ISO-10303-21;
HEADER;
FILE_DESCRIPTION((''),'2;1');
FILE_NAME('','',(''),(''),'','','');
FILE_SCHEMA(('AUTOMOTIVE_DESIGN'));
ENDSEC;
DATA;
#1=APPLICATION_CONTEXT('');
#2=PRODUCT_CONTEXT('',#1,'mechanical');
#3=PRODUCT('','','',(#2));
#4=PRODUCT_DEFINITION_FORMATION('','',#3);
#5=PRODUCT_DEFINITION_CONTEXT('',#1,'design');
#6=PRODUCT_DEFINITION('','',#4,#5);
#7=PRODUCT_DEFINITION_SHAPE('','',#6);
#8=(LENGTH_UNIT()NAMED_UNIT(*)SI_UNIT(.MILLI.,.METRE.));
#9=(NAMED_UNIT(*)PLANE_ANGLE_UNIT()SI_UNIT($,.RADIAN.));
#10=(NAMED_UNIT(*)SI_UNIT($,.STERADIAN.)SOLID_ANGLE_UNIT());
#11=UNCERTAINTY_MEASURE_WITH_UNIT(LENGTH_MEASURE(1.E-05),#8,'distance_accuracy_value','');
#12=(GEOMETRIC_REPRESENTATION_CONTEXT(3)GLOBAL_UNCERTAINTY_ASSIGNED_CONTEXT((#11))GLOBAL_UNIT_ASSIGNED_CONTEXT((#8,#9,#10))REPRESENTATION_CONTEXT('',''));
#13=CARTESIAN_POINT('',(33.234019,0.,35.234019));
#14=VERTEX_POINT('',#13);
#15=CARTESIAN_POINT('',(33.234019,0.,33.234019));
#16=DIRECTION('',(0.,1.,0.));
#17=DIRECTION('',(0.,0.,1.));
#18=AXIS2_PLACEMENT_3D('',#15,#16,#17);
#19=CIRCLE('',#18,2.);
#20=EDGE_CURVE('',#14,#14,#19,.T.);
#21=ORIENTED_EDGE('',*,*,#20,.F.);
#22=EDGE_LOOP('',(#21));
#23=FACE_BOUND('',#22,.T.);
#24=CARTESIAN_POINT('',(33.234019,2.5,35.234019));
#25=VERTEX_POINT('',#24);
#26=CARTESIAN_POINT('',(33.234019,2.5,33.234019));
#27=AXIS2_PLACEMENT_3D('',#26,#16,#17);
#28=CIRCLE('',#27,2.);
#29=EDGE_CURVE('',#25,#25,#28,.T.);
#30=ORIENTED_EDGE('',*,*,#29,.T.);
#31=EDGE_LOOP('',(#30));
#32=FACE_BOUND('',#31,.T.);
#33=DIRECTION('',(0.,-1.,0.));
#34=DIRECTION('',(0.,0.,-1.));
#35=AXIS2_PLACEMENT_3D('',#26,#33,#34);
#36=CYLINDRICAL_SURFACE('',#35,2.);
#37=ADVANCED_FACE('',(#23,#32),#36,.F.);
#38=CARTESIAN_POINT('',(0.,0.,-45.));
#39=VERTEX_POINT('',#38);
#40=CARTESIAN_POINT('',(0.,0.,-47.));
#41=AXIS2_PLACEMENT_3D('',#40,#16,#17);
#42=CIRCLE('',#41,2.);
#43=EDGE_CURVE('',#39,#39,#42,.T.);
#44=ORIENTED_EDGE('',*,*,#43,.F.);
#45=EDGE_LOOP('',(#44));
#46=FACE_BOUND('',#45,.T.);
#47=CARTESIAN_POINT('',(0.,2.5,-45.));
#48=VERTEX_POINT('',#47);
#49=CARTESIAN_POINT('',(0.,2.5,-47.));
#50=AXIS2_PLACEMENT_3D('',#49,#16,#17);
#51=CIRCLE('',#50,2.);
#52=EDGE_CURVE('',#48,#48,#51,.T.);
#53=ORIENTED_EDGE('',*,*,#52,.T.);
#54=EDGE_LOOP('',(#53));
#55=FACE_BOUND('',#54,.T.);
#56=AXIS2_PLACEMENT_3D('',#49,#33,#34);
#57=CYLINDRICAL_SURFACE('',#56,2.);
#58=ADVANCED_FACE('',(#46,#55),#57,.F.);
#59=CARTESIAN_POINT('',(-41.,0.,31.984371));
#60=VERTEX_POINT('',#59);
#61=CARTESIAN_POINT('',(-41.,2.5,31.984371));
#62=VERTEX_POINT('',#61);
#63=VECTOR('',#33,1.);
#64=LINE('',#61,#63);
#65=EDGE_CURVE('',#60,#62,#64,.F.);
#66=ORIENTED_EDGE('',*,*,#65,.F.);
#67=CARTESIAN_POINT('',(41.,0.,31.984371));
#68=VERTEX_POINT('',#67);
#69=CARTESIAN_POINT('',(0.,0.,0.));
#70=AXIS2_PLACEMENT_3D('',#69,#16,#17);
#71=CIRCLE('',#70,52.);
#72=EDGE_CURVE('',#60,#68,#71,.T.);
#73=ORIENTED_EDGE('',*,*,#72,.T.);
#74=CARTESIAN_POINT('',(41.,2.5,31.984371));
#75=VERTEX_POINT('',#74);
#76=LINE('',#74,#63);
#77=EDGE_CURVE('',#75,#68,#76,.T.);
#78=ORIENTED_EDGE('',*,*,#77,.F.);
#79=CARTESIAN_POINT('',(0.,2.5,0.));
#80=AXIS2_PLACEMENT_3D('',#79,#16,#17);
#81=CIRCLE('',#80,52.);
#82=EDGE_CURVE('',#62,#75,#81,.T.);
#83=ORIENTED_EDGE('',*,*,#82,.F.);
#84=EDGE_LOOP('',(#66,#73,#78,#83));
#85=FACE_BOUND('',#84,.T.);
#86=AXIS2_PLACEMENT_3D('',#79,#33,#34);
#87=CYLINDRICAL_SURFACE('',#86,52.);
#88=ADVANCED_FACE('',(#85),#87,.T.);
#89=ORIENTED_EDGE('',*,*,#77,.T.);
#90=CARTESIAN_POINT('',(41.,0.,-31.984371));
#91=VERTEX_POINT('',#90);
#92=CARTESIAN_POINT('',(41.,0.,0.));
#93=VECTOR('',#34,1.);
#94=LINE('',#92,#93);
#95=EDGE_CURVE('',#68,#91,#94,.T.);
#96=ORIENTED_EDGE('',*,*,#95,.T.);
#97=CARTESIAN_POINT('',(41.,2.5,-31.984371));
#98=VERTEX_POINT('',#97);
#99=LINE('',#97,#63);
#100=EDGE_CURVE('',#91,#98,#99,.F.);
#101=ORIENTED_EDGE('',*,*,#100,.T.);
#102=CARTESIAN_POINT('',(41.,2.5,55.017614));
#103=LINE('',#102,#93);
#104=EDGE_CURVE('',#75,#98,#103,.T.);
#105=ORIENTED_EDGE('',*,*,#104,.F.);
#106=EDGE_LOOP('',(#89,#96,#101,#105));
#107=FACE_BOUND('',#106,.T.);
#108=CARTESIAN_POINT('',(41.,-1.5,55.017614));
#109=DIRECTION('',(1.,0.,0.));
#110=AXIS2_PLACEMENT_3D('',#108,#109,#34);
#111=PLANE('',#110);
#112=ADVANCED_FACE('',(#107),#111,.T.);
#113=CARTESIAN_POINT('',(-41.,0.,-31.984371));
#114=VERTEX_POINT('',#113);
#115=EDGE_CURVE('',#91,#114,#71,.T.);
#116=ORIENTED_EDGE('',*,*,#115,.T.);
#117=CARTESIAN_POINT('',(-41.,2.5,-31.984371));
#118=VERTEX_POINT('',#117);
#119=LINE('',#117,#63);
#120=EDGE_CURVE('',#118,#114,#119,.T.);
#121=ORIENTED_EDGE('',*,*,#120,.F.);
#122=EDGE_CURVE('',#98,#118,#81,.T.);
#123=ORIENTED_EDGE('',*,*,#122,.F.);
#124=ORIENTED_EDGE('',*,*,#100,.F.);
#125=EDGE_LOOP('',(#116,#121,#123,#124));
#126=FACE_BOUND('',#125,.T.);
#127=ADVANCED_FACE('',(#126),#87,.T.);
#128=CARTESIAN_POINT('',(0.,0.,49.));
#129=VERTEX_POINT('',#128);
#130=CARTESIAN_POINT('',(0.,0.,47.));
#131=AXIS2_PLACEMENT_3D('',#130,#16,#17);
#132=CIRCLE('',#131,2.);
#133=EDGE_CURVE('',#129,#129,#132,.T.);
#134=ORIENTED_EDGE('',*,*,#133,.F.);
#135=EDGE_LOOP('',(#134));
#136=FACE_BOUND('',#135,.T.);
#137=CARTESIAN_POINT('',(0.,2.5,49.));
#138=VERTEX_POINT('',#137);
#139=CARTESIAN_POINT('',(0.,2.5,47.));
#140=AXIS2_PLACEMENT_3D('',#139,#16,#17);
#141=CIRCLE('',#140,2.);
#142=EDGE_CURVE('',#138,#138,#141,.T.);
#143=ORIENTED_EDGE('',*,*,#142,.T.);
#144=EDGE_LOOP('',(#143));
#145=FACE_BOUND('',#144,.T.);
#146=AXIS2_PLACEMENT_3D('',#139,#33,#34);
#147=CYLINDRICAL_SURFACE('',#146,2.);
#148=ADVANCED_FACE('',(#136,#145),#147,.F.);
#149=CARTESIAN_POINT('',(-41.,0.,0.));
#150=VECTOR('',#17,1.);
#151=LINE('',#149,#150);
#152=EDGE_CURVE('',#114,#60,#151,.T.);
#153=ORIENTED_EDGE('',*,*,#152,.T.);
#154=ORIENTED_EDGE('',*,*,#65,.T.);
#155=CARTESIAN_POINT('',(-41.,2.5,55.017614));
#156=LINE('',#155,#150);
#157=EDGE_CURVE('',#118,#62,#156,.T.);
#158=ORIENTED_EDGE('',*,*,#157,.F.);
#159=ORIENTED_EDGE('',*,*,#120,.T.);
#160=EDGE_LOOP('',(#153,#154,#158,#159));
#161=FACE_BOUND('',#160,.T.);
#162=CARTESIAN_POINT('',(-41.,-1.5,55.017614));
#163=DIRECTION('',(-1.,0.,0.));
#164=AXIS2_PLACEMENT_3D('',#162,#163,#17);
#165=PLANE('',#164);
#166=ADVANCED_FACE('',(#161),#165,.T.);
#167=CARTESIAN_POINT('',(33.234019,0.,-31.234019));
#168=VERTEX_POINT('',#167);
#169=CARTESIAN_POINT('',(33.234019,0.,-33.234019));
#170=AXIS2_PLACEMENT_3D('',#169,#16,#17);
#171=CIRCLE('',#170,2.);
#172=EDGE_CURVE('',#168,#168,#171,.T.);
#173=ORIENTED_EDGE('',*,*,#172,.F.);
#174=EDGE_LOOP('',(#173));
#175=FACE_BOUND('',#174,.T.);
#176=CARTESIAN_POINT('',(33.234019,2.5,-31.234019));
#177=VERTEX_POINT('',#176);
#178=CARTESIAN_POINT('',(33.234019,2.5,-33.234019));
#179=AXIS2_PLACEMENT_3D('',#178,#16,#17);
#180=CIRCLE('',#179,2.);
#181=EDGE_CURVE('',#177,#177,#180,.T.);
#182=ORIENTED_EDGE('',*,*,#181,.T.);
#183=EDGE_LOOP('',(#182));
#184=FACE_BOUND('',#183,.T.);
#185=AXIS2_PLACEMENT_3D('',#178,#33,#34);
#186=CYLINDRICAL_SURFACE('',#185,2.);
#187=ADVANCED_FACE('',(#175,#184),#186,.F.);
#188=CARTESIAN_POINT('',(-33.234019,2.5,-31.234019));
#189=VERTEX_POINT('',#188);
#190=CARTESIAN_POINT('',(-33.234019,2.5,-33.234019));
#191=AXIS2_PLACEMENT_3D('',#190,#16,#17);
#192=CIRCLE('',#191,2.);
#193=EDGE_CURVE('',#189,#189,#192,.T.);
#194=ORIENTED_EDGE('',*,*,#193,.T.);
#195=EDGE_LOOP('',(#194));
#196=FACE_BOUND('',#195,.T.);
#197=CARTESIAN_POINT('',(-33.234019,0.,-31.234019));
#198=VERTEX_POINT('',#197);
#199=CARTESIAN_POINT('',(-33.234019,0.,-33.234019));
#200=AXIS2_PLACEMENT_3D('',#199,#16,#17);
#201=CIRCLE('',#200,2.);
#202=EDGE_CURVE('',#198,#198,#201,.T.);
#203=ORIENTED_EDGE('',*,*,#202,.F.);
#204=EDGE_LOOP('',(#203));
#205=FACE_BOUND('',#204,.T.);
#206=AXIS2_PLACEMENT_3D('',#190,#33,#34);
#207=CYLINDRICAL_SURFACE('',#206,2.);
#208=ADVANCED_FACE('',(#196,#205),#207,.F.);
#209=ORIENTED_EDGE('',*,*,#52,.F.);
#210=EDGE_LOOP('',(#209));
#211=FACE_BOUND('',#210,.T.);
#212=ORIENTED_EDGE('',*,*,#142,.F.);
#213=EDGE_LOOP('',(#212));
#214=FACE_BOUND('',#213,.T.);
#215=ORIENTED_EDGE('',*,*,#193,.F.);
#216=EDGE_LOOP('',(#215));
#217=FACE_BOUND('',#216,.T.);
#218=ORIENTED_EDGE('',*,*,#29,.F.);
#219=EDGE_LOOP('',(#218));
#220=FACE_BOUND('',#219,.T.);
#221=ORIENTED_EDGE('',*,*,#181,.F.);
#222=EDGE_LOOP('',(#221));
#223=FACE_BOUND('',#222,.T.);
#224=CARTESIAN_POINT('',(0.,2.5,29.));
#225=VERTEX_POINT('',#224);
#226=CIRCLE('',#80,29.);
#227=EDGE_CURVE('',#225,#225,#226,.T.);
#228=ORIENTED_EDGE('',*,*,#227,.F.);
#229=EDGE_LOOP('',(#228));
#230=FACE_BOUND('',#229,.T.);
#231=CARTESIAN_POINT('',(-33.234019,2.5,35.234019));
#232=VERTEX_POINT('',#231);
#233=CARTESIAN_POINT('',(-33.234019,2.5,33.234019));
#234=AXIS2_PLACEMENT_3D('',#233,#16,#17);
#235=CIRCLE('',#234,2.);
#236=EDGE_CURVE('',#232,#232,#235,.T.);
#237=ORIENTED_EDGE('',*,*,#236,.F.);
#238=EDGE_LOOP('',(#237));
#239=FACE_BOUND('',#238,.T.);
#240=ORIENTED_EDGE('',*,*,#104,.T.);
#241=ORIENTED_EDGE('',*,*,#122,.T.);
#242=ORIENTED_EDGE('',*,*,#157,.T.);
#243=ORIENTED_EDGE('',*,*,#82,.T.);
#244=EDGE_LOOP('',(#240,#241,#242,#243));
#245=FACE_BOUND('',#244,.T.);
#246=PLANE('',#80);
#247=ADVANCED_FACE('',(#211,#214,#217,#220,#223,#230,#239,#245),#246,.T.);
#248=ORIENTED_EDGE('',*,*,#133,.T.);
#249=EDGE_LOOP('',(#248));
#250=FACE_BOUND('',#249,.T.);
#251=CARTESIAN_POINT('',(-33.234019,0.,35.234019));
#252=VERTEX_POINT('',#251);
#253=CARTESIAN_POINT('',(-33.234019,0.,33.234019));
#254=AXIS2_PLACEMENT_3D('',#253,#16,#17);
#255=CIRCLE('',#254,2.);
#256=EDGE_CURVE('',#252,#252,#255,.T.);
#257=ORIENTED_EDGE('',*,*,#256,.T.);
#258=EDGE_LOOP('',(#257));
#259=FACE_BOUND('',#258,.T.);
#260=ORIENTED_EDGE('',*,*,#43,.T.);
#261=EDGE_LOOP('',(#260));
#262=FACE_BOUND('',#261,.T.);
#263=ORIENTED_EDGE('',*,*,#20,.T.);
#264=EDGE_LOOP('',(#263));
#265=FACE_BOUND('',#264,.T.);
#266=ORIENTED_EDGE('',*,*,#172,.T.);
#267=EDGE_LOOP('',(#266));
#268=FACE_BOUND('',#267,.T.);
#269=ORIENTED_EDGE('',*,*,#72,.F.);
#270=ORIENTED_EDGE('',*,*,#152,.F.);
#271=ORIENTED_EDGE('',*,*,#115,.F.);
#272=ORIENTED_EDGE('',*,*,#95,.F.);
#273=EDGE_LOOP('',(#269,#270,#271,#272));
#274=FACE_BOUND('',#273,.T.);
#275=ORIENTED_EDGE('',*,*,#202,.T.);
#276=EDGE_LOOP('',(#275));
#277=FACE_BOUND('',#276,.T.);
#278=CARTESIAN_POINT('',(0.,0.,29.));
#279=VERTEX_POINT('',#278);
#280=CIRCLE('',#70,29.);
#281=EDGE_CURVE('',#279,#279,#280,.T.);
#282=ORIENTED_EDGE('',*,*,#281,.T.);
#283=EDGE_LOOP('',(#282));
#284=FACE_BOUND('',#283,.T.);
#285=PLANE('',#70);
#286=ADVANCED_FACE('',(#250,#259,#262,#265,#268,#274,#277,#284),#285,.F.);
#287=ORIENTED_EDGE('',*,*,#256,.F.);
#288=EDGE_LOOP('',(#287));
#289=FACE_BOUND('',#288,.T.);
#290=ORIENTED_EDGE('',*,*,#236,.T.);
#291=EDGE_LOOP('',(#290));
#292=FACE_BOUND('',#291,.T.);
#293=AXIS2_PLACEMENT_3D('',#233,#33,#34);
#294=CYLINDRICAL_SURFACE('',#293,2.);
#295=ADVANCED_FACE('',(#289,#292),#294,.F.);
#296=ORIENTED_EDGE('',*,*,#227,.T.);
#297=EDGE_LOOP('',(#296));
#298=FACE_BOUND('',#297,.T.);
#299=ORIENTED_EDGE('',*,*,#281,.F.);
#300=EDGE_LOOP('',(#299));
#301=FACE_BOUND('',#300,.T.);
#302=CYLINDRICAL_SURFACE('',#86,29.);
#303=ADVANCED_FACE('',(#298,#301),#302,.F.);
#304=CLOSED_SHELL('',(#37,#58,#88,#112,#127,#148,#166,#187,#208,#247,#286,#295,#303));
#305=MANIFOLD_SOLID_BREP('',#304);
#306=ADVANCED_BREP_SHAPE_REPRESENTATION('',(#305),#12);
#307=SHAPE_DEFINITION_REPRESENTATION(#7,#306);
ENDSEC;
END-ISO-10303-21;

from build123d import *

# Parameters (mm, degrees)
SKETCH_1_R          = 52
SKETCH_1_R_2        = 29
SKETCH_1_R_3        = 2
EXTRUDE_1_DEPTH     = 2.5
SKETCH_2_W          = 182
SKETCH_2_H          = 210.035227354
SKETCH_2_W_2        = 82
SKETCH_2_H_2        = 110.035227354
CUT_EXTRUDE_1_DEPTH = 4


with BuildPart() as part:
    # 草图1 → 凸台-拉伸1 (new body)
    with BuildSketch(Plane(origin=(0, 0, 0), x_dir=(1, 0, 0), z_dir=(0, 1, 0))):
        with Locations(Location((0, 0, 0), (0, 0, 270))):
            Circle(SKETCH_1_R)
        with Locations(Location((0, 0, 0), (0, 0, 270))):
            Circle(SKETCH_1_R_2, mode=Mode.SUBTRACT)
        with Locations(Location((47, 0, 0), (0, 0, 270))):
            Circle(SKETCH_1_R_3, mode=Mode.SUBTRACT)
        with Locations(Location((33.234018716, -33.234018716, 0), (0, 0, 270))):
            Circle(SKETCH_1_R_3, mode=Mode.SUBTRACT)
        with Locations(Location((0, -47, 0), (0, 0, 270))):
            Circle(SKETCH_1_R_3, mode=Mode.SUBTRACT)
        with Locations(Location((-33.234018716, -33.234018716, 0), (0, 0, 270))):
            Circle(SKETCH_1_R_3, mode=Mode.SUBTRACT)
        with Locations(Location((-47, 0, 0), (0, 0, 270))):
            Circle(SKETCH_1_R_3, mode=Mode.SUBTRACT)
        with Locations(Location((-33.234018716, 33.234018716, 0), (0, 0, 270))):
            Circle(SKETCH_1_R_3, mode=Mode.SUBTRACT)
        with Locations(Location((0, 47, 0), (0, 0, 270))):
            Circle(SKETCH_1_R_3, mode=Mode.SUBTRACT)
        with Locations(Location((33.234018716, 33.234018716, 0), (0, 0, 270))):
            Circle(SKETCH_1_R_3, mode=Mode.SUBTRACT)
    extrude(amount=EXTRUDE_1_DEPTH)

    # 草图2 → 切除-拉伸-薄壁1 (cut)
    with BuildSketch(Plane(origin=(0, 2.5, 0), x_dir=(1, 0, 0), z_dir=(0, 1, 0))):
        Rectangle(SKETCH_2_W, SKETCH_2_H)
        Rectangle(SKETCH_2_W_2, SKETCH_2_H_2, mode=Mode.SUBTRACT)
    extrude(amount=-CUT_EXTRUDE_1_DEPTH, mode=Mode.SUBTRACT)


solid = part.part
